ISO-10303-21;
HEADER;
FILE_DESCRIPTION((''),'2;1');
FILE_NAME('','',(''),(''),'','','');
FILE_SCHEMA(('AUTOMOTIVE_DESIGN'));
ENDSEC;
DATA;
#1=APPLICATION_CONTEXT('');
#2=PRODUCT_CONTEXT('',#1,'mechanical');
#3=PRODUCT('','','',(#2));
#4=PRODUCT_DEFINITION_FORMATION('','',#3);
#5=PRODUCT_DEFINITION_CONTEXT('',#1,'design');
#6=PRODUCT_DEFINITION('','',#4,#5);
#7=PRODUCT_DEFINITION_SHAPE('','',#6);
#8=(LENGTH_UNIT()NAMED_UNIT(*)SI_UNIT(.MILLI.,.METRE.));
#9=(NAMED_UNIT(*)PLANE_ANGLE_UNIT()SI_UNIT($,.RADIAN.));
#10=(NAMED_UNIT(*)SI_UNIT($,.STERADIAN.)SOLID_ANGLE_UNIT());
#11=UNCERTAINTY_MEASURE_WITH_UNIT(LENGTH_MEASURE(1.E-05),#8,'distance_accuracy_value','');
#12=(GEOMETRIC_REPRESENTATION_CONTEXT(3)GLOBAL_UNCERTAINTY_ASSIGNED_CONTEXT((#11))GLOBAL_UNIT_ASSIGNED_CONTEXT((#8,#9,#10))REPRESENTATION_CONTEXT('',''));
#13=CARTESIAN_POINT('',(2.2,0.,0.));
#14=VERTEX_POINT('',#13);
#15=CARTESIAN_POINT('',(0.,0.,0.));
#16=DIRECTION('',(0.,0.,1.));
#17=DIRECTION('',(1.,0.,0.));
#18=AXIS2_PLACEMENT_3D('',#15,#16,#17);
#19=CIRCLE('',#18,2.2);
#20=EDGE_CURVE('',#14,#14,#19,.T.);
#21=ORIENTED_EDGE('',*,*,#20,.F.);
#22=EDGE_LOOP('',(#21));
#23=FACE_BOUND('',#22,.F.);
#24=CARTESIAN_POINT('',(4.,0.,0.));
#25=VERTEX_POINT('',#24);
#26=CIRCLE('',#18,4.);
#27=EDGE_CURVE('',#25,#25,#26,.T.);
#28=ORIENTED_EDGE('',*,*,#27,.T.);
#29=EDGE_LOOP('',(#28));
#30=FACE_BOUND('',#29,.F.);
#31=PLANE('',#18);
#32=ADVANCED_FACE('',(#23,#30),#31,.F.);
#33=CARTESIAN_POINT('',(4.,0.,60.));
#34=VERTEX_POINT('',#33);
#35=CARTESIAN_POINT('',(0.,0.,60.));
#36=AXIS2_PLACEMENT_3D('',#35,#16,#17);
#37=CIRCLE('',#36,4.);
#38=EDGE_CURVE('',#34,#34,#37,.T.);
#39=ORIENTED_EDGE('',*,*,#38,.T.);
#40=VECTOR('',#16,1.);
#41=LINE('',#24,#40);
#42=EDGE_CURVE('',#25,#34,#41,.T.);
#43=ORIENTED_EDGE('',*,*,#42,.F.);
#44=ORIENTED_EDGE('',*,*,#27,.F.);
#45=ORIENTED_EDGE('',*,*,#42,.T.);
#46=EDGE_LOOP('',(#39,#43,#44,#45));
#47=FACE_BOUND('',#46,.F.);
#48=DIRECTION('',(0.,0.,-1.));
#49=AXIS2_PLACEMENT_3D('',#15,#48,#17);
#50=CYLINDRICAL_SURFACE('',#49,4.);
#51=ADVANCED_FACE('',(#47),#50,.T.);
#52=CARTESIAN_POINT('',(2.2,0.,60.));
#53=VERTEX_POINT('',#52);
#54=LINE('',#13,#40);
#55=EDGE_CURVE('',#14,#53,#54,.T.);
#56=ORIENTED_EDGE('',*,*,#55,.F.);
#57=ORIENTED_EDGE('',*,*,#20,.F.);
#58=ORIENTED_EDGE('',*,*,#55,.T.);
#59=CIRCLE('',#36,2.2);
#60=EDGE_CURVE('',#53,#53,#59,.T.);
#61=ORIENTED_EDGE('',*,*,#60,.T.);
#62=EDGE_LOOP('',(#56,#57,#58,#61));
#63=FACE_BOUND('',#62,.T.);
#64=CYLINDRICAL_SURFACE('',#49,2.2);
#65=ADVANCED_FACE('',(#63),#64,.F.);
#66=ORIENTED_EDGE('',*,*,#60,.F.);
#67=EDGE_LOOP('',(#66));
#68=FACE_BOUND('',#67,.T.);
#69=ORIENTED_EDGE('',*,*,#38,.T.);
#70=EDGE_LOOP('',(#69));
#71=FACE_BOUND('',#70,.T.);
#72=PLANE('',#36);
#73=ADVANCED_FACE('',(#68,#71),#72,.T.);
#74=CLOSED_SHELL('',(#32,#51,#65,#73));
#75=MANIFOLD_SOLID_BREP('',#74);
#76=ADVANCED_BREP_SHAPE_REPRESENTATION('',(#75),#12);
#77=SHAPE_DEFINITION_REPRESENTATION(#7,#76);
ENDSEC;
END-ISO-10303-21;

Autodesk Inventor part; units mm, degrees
ref_plane "YZ Plane" through (0, 0, 0) normal (1, 0, 0) x (0, 1, 0)
ref_plane "XZ Plane" through (0, 0, 0) normal (0, 1, 0) x (-1, 0, 0)
ref_plane "XY Plane" through (0, 0, 0) normal (0, 0, 1) x (1, 0, 0)
sketch "Эскиз1" plane through (0, 0, 0) normal (0, 0, 1) x (1, 0, 0)
  circle A0 centre (0, 0) radius 2.2
  circle A1 centre (0, 0) radius 4
  dimension "d0" = 4.4
  dimension "d1" = 8
extrude "Выдавливание1" add sketch "Эскиз1" along normal blind 60
properties part number "Стойка между первым и вторым этажом"
